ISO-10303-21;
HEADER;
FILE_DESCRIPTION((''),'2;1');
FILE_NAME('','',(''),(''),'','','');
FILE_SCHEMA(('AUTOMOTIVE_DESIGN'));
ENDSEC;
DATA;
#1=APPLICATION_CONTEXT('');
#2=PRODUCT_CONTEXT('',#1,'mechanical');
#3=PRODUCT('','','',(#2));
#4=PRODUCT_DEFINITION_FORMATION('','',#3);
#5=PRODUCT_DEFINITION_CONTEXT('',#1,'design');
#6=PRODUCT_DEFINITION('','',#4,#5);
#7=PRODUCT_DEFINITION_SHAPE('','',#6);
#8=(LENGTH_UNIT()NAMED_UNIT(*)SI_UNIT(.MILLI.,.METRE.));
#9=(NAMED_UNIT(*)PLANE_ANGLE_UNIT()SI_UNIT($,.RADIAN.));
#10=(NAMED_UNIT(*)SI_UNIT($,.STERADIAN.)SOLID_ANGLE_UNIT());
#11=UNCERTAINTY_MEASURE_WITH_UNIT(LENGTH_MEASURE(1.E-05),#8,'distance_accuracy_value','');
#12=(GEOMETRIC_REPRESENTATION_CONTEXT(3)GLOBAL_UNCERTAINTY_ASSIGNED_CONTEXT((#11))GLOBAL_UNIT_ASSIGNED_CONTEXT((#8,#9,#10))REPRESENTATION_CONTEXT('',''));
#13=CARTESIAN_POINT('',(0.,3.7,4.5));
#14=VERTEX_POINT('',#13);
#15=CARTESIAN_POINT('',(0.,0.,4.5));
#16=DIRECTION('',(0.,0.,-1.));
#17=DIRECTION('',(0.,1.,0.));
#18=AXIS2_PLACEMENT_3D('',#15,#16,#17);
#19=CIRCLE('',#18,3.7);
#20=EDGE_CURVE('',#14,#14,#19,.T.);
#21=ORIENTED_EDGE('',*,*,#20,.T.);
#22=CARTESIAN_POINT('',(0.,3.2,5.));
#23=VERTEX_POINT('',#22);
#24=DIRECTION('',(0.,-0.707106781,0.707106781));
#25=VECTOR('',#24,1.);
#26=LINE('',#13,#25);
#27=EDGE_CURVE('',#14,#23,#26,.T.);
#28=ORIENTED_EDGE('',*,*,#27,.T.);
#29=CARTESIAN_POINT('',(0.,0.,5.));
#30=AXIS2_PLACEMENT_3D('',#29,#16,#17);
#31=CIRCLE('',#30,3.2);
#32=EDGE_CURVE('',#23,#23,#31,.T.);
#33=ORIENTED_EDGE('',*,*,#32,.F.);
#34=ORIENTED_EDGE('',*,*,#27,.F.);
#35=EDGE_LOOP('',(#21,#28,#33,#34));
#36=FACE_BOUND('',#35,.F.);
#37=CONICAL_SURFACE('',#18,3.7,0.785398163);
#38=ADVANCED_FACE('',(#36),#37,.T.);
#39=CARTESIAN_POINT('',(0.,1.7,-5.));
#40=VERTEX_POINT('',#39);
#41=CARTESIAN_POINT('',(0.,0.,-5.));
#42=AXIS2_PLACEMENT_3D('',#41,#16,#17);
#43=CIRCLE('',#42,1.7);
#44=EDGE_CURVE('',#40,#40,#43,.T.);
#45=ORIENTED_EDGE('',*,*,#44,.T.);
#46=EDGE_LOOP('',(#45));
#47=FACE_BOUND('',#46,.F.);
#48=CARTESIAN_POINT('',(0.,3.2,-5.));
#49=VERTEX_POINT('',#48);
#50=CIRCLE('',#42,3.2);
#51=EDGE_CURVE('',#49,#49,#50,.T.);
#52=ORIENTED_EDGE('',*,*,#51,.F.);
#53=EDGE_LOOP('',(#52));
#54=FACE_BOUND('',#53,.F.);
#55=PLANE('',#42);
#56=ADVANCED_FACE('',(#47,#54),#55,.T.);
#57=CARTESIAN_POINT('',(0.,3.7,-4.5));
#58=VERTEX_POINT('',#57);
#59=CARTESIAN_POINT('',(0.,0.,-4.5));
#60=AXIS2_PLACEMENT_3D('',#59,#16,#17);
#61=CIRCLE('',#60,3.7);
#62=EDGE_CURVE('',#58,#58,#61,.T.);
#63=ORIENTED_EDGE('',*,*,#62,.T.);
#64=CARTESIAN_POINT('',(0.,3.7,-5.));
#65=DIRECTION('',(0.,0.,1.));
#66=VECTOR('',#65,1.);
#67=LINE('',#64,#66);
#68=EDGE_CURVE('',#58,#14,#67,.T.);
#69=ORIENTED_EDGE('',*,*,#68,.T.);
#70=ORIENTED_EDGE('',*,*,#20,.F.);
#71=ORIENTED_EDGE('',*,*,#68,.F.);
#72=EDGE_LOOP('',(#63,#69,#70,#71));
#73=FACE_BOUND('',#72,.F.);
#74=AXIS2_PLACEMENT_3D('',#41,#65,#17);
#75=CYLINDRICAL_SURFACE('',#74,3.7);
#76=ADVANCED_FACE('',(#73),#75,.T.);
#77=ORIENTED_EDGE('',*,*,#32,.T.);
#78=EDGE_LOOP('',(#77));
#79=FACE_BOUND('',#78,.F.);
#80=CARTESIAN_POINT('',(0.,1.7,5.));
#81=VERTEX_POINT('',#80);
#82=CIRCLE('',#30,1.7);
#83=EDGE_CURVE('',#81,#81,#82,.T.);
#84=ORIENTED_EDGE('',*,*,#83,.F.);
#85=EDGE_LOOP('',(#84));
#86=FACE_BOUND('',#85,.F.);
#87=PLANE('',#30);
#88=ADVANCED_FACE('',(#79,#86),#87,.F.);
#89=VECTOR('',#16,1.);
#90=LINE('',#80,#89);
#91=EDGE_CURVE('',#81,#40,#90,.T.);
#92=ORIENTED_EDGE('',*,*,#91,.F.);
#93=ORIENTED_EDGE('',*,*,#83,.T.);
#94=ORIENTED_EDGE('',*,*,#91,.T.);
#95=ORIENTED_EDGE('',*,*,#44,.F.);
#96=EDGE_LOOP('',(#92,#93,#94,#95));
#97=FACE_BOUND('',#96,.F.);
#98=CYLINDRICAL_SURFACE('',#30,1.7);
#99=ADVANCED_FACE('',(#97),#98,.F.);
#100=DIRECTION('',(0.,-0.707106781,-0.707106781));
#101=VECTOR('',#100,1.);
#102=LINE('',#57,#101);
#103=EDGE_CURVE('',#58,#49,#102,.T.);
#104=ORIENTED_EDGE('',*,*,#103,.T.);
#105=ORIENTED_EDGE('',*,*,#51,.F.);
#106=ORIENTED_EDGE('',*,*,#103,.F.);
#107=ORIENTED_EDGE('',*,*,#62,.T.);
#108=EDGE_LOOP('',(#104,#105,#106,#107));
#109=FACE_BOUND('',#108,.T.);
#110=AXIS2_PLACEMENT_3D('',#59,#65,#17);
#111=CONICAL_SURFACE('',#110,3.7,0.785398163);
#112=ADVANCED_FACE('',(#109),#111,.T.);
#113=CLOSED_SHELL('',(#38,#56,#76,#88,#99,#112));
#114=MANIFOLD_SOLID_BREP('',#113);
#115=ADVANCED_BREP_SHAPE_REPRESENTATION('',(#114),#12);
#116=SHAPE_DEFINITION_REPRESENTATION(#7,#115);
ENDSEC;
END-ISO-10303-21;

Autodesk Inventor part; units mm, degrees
ref_plane "YZ Plane" through (0, 0, 0) normal (1, 0, 0) x (0, 1, 0)
ref_plane "XZ Plane" through (0, 0, 0) normal (0, 1, 0) x (-1, 0, 0)
ref_plane "XY Plane" through (0, 0, 0) normal (0, 0, 1) x (1, 0, 0)
sketch "Sketch1" plane through (0, 0, 0) normal (1, 0, 0) x (0, 1, 0)
  line L0 (3.7, 5) -> (1.7, 5)
  line L1 (1.7, 5) -> (1.7, -5)
  line L2 (1.7, -5) -> (3.7, -5)
  line L3 (3.7, -5) -> (3.7, 5)
  line L4 (0, 5) -> (0, -5)
  point P0 (0, 0)
  point P1 (0, 0)
  dimension "d0" = 10
  dimension "d1" = 3.4
  dimension "d2" = 7.4
revolve "Revolution1" add sketch "Sketch1" angle 360 about axis through (0, 0, 5) along (0, 0, -1)
chamfer "Chamfer1" distance 0.5 angle 45 2 edges at (0, -3.7, 5) (0, -3.7, -5)
properties part number "Roller"
